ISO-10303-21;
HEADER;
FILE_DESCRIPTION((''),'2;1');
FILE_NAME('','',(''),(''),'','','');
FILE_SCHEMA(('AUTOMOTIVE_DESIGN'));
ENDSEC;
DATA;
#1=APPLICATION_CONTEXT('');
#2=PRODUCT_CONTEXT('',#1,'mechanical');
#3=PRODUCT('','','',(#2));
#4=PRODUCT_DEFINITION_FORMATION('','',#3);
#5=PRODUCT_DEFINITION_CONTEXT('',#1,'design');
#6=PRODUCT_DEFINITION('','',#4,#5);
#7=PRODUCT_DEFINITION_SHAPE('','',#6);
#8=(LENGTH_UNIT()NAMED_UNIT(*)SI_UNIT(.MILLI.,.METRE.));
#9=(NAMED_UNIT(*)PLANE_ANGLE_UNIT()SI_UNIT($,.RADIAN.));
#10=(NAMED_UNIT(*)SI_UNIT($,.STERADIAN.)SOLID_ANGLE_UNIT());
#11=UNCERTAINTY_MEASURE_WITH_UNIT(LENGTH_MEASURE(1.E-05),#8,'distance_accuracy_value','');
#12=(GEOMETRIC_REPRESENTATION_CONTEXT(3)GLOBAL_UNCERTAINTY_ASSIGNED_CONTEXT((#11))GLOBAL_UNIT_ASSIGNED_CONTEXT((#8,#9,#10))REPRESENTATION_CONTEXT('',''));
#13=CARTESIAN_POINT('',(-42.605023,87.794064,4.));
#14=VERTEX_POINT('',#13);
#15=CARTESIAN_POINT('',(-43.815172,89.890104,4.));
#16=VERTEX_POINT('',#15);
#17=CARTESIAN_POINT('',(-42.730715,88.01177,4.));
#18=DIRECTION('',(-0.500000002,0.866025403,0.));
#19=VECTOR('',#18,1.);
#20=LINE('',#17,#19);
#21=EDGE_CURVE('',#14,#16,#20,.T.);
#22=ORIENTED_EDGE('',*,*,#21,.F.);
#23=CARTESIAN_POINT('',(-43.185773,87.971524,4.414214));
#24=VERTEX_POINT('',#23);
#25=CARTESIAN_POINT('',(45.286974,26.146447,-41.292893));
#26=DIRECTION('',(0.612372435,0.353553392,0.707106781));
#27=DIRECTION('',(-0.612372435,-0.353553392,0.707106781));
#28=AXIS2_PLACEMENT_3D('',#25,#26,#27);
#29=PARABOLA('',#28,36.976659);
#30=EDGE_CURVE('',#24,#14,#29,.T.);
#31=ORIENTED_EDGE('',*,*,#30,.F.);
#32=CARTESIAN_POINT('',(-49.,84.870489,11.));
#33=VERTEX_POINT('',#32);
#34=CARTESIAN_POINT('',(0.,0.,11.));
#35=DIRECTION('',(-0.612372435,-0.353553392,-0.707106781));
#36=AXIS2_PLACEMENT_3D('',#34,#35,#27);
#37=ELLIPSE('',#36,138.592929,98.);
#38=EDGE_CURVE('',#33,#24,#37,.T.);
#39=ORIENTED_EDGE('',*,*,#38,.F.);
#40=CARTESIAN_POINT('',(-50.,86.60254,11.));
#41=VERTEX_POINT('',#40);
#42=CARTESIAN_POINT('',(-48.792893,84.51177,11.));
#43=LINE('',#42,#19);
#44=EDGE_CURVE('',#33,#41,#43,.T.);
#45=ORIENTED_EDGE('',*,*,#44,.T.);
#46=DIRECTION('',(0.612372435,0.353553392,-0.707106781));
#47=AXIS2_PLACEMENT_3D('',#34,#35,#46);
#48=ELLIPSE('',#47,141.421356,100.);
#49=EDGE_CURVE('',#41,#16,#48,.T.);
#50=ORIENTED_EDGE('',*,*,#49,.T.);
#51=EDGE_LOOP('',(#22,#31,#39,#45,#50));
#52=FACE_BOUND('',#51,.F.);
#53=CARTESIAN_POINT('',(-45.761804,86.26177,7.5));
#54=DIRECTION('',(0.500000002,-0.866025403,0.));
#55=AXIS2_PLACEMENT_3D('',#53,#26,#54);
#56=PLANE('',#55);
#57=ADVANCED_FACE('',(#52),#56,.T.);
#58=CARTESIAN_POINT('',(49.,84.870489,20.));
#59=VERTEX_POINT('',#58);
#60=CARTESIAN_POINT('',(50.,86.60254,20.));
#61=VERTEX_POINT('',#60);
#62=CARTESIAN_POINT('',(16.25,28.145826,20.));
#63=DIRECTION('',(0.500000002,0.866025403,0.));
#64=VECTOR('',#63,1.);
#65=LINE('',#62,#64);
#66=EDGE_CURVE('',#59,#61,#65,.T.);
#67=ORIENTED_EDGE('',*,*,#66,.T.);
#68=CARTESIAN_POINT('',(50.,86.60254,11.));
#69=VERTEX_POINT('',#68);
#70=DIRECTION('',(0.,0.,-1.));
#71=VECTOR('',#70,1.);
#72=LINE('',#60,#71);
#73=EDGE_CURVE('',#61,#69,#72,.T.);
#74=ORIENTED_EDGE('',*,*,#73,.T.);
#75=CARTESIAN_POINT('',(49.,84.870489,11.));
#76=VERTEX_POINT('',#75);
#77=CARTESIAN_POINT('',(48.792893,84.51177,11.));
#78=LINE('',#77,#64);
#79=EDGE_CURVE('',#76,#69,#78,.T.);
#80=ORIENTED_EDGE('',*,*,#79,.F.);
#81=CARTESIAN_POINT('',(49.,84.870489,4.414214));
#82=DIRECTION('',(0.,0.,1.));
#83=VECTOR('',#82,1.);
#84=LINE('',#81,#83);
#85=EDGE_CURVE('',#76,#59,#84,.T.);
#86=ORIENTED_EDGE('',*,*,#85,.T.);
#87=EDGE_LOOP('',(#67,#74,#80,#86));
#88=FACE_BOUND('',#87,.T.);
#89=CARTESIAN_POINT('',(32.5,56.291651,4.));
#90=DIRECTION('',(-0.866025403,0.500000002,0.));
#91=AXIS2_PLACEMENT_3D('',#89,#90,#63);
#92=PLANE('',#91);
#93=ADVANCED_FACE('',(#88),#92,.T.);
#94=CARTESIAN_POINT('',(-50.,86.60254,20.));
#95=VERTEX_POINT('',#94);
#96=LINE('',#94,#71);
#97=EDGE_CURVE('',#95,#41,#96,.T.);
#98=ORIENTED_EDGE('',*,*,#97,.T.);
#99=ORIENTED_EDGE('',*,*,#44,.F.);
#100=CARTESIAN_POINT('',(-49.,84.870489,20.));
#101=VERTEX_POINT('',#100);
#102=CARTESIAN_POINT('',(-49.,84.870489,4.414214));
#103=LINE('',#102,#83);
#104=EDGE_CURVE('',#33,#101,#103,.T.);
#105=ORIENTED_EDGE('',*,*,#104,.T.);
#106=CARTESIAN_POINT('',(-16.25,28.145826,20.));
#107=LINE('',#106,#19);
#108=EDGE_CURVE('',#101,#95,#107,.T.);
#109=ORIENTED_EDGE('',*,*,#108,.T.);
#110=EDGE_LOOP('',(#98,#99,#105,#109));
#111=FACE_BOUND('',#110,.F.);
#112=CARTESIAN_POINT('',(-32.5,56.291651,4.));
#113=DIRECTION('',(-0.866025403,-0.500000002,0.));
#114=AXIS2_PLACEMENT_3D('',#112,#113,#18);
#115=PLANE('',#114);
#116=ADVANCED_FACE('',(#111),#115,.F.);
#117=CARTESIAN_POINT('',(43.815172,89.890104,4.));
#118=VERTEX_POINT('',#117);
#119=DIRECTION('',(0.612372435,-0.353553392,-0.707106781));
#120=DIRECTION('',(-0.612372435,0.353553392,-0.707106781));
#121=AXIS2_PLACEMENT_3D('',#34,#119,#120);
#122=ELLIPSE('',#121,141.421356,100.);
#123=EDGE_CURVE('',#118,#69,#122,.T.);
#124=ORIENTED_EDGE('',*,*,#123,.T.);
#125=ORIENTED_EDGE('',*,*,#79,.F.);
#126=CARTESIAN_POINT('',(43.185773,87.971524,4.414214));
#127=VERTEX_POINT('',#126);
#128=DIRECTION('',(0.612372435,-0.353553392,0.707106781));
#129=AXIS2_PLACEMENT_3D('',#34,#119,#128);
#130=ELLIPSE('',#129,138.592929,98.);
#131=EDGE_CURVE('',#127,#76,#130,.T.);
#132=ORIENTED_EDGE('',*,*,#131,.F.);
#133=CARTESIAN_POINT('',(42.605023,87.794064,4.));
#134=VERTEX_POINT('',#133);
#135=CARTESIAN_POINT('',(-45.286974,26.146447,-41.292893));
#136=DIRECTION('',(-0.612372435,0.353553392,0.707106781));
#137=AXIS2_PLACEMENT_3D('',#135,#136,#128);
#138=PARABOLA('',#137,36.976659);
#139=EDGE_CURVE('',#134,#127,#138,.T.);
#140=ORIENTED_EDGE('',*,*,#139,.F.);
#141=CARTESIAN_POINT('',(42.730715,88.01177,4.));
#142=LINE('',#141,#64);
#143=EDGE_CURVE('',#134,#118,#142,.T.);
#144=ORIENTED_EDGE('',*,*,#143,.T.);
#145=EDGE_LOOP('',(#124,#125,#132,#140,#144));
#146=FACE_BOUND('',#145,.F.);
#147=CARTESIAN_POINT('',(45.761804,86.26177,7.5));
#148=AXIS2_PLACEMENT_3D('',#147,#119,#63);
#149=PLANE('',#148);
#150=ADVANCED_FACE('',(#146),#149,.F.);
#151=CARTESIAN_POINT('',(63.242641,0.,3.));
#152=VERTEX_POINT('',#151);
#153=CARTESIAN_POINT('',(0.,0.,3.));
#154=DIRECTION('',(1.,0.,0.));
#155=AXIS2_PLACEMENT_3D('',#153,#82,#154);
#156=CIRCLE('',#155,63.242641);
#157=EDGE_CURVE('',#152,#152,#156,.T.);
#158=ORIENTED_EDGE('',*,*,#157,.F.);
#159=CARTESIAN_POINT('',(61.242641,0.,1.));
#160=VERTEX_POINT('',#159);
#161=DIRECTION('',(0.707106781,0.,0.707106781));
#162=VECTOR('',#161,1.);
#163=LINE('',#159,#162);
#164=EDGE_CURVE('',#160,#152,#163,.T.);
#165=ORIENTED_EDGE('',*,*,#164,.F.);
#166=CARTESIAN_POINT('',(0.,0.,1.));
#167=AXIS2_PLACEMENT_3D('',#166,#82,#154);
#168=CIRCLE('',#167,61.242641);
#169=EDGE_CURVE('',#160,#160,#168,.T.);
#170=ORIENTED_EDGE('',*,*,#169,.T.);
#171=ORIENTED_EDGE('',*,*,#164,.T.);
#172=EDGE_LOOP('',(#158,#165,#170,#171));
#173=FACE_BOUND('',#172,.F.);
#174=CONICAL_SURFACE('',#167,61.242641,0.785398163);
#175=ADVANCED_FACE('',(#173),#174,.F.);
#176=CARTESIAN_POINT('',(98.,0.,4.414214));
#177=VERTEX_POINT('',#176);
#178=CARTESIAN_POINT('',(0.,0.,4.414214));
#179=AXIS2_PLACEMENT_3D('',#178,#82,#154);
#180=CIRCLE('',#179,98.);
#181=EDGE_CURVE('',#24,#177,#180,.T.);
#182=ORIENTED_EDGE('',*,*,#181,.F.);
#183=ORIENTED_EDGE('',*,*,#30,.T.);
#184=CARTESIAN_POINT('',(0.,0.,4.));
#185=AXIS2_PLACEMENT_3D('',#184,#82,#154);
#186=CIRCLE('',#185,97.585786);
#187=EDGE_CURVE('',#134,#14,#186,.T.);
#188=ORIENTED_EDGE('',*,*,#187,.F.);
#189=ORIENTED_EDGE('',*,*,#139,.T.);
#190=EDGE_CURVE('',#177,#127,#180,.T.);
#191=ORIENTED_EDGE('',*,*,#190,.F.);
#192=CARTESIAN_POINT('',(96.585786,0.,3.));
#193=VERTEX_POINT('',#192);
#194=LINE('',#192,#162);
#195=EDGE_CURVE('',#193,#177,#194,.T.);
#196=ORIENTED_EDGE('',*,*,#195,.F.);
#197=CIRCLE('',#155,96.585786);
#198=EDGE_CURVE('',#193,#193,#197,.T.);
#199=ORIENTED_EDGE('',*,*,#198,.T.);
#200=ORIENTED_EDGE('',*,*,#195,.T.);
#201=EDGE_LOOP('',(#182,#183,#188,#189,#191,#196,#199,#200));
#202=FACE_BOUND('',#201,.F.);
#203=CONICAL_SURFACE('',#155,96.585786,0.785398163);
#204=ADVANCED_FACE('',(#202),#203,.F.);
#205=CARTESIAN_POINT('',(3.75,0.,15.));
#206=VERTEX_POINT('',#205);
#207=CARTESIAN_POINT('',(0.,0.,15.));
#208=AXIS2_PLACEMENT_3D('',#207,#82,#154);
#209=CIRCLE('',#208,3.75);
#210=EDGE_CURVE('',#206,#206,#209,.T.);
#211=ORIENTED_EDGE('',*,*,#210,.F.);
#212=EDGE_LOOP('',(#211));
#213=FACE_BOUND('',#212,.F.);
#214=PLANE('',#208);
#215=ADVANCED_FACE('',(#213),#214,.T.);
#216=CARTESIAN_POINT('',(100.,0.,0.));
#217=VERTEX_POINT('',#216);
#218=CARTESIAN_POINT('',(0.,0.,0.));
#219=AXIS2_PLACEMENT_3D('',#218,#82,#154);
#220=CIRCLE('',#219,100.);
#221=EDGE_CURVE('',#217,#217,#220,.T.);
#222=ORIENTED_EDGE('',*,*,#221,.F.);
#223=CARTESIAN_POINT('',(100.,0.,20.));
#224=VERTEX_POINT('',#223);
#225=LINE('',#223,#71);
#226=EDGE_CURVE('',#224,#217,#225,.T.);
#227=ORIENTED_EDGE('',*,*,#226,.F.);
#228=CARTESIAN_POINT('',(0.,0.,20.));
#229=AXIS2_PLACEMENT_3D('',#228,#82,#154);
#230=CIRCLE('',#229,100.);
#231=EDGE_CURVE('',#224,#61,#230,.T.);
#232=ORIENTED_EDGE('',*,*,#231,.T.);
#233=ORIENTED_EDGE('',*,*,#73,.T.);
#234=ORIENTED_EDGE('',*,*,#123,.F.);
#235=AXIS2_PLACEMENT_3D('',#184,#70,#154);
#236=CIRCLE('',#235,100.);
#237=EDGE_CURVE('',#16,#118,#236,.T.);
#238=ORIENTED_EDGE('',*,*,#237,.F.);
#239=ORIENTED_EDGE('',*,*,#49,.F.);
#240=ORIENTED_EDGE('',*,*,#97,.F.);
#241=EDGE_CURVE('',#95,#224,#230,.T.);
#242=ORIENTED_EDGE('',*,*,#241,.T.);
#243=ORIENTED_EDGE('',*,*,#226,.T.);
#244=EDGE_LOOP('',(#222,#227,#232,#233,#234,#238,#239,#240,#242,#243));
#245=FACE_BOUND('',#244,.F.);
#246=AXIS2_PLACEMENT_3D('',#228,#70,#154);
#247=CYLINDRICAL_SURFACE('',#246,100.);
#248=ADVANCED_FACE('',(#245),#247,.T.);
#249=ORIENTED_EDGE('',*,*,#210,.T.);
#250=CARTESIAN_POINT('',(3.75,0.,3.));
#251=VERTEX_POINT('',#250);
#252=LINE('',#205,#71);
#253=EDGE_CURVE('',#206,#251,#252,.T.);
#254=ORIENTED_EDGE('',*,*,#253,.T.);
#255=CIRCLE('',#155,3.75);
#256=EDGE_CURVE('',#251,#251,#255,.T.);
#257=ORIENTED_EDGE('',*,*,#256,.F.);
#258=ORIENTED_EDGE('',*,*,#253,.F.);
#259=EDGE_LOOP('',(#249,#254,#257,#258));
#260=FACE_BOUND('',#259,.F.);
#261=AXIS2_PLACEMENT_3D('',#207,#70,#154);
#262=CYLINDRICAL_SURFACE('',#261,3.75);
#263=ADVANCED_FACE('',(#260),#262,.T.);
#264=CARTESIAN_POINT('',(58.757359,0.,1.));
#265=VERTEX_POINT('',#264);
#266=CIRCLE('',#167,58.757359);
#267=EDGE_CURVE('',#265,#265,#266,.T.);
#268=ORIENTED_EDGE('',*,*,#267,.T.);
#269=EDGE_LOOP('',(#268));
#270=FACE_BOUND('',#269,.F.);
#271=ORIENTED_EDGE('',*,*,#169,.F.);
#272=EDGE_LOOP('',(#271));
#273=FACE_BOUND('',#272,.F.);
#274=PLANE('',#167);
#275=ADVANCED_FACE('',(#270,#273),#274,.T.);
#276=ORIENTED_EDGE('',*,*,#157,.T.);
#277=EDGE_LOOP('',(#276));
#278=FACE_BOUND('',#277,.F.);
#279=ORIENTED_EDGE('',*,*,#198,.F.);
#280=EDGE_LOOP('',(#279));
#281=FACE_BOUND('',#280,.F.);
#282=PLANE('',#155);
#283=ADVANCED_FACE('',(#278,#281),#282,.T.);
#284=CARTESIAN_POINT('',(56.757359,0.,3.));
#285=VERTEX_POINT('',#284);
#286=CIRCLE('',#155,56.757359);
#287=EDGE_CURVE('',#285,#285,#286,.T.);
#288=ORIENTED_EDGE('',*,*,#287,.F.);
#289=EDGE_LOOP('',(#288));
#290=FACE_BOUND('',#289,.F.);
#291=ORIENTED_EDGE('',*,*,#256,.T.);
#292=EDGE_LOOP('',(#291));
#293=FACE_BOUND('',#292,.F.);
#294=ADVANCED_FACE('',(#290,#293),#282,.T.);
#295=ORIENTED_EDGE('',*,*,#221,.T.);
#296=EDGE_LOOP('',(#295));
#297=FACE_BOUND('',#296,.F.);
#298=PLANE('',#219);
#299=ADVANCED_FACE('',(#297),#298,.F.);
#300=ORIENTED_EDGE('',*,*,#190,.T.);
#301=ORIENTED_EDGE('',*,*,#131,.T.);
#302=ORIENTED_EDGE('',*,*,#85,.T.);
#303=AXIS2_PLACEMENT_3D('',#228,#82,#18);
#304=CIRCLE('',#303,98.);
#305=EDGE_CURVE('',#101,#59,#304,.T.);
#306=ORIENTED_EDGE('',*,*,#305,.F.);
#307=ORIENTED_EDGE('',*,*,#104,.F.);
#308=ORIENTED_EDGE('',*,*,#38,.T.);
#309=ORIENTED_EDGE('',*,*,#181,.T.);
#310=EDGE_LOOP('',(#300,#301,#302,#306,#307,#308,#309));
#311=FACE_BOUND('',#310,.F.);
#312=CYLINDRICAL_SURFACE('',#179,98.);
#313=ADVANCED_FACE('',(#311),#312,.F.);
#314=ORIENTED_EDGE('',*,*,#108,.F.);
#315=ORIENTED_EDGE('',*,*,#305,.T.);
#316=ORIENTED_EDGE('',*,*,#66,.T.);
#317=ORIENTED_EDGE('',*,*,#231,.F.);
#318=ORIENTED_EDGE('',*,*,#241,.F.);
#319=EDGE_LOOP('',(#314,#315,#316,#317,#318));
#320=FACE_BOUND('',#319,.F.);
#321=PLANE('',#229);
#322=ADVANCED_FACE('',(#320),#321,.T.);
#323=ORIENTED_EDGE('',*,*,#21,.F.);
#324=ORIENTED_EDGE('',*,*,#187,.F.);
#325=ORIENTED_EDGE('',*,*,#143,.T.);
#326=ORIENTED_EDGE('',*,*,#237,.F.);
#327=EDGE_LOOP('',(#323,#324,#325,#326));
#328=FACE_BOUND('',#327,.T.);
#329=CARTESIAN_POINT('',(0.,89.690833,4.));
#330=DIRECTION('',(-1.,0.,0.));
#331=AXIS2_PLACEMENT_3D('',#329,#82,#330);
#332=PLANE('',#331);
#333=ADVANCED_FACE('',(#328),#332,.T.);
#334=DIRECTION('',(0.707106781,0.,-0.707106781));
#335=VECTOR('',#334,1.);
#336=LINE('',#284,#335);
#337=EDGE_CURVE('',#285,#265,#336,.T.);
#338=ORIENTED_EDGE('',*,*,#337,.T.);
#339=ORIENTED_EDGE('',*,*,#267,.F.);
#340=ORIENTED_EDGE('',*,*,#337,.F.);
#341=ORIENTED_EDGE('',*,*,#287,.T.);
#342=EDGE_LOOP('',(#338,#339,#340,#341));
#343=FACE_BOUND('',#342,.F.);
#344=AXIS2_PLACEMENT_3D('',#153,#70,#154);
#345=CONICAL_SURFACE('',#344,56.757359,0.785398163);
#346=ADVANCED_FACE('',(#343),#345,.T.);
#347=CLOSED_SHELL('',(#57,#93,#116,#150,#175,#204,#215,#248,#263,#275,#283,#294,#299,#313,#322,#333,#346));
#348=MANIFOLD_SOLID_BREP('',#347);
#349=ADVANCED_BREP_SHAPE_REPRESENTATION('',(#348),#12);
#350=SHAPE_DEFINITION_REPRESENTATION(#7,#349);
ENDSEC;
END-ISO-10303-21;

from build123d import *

# Parameters (mm, degrees)
POCKET_DEPTH = 20
CHAMFER_SIZE = 7


with BuildPart() as part:
    # Sketch → Revolution (revolve)
    with BuildSketch(Plane.XZ):
        Polygon((0, 0), (0, 15), (3.75, 15), (3.75, 3), (56.757359, 3), (58.757359, 1), (61.242641, 1), (63.242641, 3), (96.585786, 3), (98, 4.414214), (98, 20), (100, 20), (100, 0), align=None)
    revolve(axis=Axis((0, 0, 0), (0, 0, 1)))

    # Sketch001 (on DatumPlane) → Pocket (cut)
    with BuildSketch(Plane(origin=(0, 0, 4), x_dir=(-1, 0, 0), z_dir=(0, 0, 1))):
        with BuildLine():
            ThreePointArc((-60, -103.923048), (0, -120), (60, -103.923048))
            Line((32.5, -56.291651), (60, -103.923048))
            ThreePointArc((-32.5, -56.291651), (0, -65), (32.5, -56.291651))
            Line((-32.5, -56.291651), (-60, -103.923048))
        make_face()
    extrude(amount=POCKET_DEPTH, mode=Mode.SUBTRACT)

    # Chamfer
    chamfer_edges = [part.edges().sort_by_distance(p)[0] for p in [
        (-49.396447, 85.557155, 4),
        (49.396447, 85.557155, 4),
    ]]
    chamfer(chamfer_edges, length=CHAMFER_SIZE)


solid = part.part
